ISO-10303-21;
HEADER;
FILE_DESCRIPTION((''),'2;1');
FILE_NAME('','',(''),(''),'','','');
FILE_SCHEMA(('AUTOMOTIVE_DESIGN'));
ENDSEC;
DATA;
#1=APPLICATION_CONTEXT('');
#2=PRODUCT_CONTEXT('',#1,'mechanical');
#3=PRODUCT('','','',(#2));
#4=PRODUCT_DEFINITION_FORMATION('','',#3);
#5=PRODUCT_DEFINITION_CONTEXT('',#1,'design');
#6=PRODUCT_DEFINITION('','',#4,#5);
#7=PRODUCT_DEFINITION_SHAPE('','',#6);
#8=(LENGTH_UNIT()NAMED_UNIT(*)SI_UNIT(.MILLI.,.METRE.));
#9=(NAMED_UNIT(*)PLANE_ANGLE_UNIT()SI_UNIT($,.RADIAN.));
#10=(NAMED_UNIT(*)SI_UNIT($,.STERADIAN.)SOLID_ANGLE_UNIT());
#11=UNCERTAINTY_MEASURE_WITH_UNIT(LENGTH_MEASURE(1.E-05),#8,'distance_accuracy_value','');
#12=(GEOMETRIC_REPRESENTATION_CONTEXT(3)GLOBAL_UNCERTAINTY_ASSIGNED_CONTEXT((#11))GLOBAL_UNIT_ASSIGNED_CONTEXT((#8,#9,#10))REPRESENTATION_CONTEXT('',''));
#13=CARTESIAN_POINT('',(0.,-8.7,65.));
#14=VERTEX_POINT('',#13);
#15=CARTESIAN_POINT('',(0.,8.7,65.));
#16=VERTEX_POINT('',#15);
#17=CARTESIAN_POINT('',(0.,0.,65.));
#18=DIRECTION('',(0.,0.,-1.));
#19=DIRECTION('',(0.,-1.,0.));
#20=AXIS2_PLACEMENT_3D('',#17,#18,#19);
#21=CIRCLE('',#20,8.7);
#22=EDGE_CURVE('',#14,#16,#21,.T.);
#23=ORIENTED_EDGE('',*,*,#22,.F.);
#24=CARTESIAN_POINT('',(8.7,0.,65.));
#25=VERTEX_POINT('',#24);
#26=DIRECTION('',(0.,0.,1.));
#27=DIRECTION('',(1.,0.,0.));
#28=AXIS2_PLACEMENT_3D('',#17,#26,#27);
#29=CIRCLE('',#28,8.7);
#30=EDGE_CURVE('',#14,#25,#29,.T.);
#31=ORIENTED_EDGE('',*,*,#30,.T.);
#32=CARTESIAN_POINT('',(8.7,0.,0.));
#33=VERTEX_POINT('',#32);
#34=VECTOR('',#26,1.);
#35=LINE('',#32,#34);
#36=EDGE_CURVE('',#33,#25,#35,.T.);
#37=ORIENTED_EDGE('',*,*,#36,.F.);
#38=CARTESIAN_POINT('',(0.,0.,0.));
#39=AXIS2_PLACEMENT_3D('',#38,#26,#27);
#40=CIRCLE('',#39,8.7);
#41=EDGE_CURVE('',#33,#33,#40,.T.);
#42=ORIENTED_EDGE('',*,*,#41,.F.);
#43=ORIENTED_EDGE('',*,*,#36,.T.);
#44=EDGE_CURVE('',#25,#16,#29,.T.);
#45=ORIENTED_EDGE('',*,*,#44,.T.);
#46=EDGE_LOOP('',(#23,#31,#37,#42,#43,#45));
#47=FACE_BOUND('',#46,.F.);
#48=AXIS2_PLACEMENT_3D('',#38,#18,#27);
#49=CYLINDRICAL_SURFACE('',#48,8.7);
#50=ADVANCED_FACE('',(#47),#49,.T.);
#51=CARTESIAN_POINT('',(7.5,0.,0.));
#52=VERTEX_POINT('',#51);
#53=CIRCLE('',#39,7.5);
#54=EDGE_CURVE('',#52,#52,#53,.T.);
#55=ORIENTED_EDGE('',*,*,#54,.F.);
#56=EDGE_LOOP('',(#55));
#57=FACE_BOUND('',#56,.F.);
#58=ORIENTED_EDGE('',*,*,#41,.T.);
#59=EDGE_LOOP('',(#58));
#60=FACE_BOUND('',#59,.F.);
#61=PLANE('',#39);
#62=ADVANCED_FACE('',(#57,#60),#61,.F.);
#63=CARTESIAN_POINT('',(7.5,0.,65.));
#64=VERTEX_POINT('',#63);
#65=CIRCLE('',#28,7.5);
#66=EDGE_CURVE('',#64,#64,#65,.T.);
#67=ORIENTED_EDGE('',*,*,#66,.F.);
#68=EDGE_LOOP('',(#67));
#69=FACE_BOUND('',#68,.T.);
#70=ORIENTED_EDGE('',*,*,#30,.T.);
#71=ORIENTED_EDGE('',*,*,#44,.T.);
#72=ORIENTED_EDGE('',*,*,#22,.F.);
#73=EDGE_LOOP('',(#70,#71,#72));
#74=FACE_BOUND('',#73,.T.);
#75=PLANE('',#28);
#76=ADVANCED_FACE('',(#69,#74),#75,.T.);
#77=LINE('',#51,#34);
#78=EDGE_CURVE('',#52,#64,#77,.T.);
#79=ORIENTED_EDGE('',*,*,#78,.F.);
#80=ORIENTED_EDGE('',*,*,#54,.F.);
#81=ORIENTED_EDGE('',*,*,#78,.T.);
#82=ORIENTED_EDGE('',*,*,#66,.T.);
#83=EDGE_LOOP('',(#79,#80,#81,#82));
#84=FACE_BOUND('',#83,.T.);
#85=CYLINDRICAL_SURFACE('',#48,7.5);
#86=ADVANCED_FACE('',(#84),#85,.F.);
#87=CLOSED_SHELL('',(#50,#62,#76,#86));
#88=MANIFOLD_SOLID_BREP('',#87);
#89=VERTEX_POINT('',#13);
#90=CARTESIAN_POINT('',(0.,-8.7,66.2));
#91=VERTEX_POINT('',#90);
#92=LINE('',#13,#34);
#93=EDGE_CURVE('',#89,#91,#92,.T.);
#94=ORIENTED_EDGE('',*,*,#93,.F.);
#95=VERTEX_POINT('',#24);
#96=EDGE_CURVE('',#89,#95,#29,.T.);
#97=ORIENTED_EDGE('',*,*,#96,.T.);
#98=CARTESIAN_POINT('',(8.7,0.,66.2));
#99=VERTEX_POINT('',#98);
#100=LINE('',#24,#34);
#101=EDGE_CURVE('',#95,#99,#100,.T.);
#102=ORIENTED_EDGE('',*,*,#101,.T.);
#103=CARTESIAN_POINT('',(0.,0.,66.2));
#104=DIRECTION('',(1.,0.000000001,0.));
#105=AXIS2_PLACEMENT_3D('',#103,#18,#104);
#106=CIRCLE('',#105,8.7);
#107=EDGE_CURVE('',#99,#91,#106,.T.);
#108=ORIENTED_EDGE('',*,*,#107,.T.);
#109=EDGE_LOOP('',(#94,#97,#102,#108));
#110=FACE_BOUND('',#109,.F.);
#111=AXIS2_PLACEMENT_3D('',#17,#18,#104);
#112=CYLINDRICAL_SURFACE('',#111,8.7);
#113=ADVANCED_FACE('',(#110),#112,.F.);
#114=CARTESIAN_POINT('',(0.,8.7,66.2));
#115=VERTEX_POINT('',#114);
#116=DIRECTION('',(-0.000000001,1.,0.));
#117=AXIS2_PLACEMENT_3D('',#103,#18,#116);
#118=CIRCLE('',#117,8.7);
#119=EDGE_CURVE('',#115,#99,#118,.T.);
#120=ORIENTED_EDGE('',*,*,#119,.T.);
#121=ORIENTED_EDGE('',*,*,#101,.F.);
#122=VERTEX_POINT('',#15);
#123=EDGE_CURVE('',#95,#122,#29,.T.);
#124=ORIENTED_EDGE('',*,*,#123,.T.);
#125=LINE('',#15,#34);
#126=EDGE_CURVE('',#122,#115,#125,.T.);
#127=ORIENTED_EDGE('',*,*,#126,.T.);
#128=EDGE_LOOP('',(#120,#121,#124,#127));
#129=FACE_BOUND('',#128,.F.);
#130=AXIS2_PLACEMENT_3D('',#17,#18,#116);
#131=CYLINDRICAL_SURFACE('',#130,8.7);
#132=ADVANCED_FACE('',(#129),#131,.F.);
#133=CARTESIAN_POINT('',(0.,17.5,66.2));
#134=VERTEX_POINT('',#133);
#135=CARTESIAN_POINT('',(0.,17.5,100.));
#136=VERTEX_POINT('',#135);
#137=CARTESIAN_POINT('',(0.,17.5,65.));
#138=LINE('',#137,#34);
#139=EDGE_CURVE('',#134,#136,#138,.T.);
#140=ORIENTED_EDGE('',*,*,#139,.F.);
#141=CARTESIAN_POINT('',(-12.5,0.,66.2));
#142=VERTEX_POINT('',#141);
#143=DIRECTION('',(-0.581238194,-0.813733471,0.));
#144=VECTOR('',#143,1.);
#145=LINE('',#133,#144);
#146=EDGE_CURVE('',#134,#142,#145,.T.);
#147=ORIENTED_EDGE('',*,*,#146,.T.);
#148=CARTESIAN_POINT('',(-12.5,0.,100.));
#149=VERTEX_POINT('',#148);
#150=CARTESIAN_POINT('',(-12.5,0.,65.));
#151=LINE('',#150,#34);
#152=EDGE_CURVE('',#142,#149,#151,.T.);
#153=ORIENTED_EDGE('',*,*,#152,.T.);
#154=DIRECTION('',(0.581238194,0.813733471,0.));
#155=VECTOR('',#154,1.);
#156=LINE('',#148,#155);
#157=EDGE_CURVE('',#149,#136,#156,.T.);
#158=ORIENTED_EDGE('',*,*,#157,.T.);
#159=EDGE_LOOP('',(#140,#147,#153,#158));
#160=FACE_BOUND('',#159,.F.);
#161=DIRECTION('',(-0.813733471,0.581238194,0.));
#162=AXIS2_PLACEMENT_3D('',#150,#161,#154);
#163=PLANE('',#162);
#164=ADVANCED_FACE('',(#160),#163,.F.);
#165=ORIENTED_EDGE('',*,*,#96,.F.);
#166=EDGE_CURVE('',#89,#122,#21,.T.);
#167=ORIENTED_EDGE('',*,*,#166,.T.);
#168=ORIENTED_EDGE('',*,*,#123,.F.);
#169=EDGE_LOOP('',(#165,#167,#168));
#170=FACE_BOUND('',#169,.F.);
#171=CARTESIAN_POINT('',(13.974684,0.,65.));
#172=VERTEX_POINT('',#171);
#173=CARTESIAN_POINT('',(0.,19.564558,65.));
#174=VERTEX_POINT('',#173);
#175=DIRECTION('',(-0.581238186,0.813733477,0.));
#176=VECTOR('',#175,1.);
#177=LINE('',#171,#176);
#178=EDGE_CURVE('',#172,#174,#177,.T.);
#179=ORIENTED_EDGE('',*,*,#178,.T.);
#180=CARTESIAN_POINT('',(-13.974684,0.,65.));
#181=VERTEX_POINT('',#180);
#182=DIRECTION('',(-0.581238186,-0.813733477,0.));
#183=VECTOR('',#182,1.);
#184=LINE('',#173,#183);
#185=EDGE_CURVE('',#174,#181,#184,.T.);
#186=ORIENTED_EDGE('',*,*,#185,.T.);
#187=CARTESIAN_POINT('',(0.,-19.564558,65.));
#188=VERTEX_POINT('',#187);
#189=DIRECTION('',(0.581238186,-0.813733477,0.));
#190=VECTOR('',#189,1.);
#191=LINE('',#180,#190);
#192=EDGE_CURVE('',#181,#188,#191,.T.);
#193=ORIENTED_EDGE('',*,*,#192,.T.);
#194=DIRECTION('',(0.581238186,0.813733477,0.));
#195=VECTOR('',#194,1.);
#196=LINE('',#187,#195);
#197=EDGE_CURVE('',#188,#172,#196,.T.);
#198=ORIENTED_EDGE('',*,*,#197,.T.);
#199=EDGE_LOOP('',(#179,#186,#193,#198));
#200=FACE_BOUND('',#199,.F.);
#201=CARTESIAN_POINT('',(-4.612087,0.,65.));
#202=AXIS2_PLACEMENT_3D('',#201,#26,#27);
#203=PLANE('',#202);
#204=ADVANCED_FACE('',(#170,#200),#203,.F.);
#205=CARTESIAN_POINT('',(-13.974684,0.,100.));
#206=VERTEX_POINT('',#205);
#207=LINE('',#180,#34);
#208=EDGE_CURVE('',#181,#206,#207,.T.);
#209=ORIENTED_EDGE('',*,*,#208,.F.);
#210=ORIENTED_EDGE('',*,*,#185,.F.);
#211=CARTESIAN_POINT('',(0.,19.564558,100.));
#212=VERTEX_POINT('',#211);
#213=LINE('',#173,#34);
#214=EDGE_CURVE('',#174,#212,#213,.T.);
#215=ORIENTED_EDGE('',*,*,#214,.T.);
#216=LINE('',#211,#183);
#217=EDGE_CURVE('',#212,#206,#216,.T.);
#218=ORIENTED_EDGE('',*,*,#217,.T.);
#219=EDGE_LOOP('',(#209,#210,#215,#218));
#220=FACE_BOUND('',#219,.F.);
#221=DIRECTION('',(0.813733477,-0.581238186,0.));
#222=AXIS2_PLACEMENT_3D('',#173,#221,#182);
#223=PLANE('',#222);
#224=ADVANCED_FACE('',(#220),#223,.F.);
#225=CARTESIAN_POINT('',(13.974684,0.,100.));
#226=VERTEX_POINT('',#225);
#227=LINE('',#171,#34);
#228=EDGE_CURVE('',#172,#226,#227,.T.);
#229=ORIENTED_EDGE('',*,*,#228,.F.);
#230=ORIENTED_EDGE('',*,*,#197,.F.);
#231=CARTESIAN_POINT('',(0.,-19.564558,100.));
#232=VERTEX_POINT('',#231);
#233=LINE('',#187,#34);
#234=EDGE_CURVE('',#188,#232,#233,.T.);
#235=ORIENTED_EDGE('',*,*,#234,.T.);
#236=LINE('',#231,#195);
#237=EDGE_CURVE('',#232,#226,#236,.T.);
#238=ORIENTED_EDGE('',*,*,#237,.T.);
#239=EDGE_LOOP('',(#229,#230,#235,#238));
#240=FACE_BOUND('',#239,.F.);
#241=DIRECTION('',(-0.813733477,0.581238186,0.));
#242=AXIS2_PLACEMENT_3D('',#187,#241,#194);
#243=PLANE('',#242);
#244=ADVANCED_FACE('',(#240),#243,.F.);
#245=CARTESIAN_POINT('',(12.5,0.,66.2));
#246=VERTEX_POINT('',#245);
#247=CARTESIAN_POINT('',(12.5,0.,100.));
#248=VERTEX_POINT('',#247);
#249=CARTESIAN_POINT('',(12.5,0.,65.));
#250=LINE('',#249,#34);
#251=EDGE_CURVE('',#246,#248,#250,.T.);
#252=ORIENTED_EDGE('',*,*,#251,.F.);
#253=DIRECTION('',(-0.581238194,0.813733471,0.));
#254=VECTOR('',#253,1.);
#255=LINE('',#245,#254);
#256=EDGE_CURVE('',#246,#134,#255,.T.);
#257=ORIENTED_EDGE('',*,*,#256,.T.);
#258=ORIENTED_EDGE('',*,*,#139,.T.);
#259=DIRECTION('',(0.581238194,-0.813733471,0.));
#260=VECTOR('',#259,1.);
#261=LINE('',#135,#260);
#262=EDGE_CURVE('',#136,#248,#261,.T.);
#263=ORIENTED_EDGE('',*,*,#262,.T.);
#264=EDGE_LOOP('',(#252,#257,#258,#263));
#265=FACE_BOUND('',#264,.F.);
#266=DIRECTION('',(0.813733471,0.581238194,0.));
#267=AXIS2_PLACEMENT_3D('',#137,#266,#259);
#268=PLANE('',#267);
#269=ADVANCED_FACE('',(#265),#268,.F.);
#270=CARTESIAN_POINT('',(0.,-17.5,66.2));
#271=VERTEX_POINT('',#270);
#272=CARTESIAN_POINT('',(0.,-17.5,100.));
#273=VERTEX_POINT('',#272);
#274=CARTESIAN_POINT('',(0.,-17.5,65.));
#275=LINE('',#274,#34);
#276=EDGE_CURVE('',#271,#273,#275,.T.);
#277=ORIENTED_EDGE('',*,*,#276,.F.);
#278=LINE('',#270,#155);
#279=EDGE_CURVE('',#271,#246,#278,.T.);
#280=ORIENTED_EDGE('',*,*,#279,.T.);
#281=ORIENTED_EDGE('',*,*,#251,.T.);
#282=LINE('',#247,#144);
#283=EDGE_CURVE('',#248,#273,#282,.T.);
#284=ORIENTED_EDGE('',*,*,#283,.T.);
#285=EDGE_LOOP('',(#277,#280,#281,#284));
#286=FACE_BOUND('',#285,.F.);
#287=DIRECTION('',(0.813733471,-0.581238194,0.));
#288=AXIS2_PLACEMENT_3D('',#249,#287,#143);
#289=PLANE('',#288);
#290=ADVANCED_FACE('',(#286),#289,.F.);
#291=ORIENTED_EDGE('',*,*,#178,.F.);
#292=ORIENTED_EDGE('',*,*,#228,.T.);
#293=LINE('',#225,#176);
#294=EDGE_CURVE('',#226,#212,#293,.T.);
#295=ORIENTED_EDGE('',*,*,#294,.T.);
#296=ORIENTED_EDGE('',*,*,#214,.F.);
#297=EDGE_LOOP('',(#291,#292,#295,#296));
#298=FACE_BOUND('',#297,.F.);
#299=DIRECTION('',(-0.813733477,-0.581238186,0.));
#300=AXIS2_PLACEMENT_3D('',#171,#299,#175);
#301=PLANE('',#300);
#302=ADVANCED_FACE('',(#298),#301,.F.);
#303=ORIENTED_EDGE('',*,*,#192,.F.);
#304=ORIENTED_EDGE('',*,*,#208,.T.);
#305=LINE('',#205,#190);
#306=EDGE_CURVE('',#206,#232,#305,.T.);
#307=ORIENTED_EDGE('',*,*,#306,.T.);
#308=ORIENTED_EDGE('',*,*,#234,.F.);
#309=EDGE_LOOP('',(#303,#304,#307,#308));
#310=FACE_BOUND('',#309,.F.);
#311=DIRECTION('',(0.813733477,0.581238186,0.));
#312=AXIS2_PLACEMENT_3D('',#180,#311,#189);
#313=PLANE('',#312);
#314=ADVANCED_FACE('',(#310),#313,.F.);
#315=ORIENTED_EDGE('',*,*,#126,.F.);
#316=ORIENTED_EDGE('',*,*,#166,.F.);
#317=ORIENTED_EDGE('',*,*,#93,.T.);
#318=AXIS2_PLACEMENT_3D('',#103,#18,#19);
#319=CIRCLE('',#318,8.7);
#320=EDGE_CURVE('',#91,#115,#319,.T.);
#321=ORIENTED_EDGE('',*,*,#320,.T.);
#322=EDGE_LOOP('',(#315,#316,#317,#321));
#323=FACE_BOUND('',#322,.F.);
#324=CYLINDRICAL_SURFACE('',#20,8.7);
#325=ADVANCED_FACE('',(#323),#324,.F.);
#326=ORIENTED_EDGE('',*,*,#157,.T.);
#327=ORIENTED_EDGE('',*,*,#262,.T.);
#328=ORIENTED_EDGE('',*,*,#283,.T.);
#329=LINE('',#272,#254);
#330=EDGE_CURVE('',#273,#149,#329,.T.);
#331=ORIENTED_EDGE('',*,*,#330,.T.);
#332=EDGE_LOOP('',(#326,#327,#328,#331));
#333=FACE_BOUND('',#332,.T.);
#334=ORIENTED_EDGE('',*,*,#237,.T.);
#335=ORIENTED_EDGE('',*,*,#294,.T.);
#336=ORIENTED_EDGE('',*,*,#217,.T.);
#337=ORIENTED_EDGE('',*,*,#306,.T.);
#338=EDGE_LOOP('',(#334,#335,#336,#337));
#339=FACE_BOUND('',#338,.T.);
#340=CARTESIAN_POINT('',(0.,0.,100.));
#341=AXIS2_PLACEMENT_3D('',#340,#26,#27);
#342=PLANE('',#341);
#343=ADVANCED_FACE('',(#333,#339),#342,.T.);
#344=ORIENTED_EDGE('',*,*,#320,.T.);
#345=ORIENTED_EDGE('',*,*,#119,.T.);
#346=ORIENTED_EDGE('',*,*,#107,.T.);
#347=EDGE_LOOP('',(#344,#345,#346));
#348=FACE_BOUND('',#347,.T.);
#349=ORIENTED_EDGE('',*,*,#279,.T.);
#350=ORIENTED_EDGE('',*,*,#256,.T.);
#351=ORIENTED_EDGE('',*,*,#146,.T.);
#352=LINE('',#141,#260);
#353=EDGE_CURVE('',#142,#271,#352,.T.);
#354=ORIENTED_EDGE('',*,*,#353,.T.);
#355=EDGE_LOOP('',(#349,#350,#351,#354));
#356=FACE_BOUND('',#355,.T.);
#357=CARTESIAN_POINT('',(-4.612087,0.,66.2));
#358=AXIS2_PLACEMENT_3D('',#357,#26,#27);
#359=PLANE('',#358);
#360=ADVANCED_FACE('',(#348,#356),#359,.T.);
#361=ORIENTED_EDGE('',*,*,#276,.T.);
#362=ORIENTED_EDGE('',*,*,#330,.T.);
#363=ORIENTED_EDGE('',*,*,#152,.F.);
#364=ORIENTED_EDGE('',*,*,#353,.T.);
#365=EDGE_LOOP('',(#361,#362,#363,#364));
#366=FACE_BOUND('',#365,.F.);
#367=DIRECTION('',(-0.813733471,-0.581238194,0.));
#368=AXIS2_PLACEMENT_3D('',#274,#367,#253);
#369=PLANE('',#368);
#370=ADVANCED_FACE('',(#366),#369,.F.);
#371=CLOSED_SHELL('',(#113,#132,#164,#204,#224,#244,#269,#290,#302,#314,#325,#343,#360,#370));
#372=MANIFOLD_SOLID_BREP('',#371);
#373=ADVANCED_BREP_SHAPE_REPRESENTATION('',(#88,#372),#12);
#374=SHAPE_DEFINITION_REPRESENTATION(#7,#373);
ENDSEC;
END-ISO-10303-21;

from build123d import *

# Parameters (mm, degrees)
F0_R     = 8.7
F0_R_2   = 7.5
F1_DEPTH = 65
F3_DEPTH = 35
F4_DEPTH = 1.2


with BuildPart() as f1:
    # F0 (on Top) → F1 (new body)
    with BuildSketch(Plane.XY):
        Circle(F0_R)
        Circle(F0_R_2, mode=Mode.SUBTRACT)
    extrude(amount=F1_DEPTH)



with BuildPart() as f3:
    # F2 (on face) → F3 (new body)
    with BuildSketch(Plane.XY.offset(65)):
        Polygon((13.974684, 0), (0, 19.564558), (-13.974684, 0), (0, -19.564558), align=None)
        Polygon((-12.5, 0), (0, 17.5), (12.5, 0), (0, -17.5), align=None, mode=Mode.SUBTRACT)
    extrude(amount=F3_DEPTH)


with BuildPart() as f1_1:
    add(f1.part)

    add(f3.part)  # F4 merges F3
    # F2 (on face) → F4 (join)
    with BuildSketch(Plane.XY.offset(65)):
        with BuildLine():
            ThreePointArc((0, -8.7), (-8.7, 0), (0, 8.7))
            Line((0, 8.7), (0, 17.5))
            Line((0, 17.5), (-12.5, 0))
            Line((-12.5, 0), (0, -17.5))
            Line((0, -17.5), (0, -8.7))
        make_face()
        with BuildLine():
            Line((0, 17.5), (0, 8.7))
            ThreePointArc((0, 8.7), (6.151829, 6.151829), (8.7, 0))
            ThreePointArc((8.7, 0), (6.151829, -6.151829), (0, -8.7))
            Line((0, -8.7), (0, -17.5))
            Line((0, -17.5), (12.5, 0))
            Line((12.5, 0), (0, 17.5))
        make_face()
    extrude(amount=F4_DEPTH)


solid = f1_1.part
